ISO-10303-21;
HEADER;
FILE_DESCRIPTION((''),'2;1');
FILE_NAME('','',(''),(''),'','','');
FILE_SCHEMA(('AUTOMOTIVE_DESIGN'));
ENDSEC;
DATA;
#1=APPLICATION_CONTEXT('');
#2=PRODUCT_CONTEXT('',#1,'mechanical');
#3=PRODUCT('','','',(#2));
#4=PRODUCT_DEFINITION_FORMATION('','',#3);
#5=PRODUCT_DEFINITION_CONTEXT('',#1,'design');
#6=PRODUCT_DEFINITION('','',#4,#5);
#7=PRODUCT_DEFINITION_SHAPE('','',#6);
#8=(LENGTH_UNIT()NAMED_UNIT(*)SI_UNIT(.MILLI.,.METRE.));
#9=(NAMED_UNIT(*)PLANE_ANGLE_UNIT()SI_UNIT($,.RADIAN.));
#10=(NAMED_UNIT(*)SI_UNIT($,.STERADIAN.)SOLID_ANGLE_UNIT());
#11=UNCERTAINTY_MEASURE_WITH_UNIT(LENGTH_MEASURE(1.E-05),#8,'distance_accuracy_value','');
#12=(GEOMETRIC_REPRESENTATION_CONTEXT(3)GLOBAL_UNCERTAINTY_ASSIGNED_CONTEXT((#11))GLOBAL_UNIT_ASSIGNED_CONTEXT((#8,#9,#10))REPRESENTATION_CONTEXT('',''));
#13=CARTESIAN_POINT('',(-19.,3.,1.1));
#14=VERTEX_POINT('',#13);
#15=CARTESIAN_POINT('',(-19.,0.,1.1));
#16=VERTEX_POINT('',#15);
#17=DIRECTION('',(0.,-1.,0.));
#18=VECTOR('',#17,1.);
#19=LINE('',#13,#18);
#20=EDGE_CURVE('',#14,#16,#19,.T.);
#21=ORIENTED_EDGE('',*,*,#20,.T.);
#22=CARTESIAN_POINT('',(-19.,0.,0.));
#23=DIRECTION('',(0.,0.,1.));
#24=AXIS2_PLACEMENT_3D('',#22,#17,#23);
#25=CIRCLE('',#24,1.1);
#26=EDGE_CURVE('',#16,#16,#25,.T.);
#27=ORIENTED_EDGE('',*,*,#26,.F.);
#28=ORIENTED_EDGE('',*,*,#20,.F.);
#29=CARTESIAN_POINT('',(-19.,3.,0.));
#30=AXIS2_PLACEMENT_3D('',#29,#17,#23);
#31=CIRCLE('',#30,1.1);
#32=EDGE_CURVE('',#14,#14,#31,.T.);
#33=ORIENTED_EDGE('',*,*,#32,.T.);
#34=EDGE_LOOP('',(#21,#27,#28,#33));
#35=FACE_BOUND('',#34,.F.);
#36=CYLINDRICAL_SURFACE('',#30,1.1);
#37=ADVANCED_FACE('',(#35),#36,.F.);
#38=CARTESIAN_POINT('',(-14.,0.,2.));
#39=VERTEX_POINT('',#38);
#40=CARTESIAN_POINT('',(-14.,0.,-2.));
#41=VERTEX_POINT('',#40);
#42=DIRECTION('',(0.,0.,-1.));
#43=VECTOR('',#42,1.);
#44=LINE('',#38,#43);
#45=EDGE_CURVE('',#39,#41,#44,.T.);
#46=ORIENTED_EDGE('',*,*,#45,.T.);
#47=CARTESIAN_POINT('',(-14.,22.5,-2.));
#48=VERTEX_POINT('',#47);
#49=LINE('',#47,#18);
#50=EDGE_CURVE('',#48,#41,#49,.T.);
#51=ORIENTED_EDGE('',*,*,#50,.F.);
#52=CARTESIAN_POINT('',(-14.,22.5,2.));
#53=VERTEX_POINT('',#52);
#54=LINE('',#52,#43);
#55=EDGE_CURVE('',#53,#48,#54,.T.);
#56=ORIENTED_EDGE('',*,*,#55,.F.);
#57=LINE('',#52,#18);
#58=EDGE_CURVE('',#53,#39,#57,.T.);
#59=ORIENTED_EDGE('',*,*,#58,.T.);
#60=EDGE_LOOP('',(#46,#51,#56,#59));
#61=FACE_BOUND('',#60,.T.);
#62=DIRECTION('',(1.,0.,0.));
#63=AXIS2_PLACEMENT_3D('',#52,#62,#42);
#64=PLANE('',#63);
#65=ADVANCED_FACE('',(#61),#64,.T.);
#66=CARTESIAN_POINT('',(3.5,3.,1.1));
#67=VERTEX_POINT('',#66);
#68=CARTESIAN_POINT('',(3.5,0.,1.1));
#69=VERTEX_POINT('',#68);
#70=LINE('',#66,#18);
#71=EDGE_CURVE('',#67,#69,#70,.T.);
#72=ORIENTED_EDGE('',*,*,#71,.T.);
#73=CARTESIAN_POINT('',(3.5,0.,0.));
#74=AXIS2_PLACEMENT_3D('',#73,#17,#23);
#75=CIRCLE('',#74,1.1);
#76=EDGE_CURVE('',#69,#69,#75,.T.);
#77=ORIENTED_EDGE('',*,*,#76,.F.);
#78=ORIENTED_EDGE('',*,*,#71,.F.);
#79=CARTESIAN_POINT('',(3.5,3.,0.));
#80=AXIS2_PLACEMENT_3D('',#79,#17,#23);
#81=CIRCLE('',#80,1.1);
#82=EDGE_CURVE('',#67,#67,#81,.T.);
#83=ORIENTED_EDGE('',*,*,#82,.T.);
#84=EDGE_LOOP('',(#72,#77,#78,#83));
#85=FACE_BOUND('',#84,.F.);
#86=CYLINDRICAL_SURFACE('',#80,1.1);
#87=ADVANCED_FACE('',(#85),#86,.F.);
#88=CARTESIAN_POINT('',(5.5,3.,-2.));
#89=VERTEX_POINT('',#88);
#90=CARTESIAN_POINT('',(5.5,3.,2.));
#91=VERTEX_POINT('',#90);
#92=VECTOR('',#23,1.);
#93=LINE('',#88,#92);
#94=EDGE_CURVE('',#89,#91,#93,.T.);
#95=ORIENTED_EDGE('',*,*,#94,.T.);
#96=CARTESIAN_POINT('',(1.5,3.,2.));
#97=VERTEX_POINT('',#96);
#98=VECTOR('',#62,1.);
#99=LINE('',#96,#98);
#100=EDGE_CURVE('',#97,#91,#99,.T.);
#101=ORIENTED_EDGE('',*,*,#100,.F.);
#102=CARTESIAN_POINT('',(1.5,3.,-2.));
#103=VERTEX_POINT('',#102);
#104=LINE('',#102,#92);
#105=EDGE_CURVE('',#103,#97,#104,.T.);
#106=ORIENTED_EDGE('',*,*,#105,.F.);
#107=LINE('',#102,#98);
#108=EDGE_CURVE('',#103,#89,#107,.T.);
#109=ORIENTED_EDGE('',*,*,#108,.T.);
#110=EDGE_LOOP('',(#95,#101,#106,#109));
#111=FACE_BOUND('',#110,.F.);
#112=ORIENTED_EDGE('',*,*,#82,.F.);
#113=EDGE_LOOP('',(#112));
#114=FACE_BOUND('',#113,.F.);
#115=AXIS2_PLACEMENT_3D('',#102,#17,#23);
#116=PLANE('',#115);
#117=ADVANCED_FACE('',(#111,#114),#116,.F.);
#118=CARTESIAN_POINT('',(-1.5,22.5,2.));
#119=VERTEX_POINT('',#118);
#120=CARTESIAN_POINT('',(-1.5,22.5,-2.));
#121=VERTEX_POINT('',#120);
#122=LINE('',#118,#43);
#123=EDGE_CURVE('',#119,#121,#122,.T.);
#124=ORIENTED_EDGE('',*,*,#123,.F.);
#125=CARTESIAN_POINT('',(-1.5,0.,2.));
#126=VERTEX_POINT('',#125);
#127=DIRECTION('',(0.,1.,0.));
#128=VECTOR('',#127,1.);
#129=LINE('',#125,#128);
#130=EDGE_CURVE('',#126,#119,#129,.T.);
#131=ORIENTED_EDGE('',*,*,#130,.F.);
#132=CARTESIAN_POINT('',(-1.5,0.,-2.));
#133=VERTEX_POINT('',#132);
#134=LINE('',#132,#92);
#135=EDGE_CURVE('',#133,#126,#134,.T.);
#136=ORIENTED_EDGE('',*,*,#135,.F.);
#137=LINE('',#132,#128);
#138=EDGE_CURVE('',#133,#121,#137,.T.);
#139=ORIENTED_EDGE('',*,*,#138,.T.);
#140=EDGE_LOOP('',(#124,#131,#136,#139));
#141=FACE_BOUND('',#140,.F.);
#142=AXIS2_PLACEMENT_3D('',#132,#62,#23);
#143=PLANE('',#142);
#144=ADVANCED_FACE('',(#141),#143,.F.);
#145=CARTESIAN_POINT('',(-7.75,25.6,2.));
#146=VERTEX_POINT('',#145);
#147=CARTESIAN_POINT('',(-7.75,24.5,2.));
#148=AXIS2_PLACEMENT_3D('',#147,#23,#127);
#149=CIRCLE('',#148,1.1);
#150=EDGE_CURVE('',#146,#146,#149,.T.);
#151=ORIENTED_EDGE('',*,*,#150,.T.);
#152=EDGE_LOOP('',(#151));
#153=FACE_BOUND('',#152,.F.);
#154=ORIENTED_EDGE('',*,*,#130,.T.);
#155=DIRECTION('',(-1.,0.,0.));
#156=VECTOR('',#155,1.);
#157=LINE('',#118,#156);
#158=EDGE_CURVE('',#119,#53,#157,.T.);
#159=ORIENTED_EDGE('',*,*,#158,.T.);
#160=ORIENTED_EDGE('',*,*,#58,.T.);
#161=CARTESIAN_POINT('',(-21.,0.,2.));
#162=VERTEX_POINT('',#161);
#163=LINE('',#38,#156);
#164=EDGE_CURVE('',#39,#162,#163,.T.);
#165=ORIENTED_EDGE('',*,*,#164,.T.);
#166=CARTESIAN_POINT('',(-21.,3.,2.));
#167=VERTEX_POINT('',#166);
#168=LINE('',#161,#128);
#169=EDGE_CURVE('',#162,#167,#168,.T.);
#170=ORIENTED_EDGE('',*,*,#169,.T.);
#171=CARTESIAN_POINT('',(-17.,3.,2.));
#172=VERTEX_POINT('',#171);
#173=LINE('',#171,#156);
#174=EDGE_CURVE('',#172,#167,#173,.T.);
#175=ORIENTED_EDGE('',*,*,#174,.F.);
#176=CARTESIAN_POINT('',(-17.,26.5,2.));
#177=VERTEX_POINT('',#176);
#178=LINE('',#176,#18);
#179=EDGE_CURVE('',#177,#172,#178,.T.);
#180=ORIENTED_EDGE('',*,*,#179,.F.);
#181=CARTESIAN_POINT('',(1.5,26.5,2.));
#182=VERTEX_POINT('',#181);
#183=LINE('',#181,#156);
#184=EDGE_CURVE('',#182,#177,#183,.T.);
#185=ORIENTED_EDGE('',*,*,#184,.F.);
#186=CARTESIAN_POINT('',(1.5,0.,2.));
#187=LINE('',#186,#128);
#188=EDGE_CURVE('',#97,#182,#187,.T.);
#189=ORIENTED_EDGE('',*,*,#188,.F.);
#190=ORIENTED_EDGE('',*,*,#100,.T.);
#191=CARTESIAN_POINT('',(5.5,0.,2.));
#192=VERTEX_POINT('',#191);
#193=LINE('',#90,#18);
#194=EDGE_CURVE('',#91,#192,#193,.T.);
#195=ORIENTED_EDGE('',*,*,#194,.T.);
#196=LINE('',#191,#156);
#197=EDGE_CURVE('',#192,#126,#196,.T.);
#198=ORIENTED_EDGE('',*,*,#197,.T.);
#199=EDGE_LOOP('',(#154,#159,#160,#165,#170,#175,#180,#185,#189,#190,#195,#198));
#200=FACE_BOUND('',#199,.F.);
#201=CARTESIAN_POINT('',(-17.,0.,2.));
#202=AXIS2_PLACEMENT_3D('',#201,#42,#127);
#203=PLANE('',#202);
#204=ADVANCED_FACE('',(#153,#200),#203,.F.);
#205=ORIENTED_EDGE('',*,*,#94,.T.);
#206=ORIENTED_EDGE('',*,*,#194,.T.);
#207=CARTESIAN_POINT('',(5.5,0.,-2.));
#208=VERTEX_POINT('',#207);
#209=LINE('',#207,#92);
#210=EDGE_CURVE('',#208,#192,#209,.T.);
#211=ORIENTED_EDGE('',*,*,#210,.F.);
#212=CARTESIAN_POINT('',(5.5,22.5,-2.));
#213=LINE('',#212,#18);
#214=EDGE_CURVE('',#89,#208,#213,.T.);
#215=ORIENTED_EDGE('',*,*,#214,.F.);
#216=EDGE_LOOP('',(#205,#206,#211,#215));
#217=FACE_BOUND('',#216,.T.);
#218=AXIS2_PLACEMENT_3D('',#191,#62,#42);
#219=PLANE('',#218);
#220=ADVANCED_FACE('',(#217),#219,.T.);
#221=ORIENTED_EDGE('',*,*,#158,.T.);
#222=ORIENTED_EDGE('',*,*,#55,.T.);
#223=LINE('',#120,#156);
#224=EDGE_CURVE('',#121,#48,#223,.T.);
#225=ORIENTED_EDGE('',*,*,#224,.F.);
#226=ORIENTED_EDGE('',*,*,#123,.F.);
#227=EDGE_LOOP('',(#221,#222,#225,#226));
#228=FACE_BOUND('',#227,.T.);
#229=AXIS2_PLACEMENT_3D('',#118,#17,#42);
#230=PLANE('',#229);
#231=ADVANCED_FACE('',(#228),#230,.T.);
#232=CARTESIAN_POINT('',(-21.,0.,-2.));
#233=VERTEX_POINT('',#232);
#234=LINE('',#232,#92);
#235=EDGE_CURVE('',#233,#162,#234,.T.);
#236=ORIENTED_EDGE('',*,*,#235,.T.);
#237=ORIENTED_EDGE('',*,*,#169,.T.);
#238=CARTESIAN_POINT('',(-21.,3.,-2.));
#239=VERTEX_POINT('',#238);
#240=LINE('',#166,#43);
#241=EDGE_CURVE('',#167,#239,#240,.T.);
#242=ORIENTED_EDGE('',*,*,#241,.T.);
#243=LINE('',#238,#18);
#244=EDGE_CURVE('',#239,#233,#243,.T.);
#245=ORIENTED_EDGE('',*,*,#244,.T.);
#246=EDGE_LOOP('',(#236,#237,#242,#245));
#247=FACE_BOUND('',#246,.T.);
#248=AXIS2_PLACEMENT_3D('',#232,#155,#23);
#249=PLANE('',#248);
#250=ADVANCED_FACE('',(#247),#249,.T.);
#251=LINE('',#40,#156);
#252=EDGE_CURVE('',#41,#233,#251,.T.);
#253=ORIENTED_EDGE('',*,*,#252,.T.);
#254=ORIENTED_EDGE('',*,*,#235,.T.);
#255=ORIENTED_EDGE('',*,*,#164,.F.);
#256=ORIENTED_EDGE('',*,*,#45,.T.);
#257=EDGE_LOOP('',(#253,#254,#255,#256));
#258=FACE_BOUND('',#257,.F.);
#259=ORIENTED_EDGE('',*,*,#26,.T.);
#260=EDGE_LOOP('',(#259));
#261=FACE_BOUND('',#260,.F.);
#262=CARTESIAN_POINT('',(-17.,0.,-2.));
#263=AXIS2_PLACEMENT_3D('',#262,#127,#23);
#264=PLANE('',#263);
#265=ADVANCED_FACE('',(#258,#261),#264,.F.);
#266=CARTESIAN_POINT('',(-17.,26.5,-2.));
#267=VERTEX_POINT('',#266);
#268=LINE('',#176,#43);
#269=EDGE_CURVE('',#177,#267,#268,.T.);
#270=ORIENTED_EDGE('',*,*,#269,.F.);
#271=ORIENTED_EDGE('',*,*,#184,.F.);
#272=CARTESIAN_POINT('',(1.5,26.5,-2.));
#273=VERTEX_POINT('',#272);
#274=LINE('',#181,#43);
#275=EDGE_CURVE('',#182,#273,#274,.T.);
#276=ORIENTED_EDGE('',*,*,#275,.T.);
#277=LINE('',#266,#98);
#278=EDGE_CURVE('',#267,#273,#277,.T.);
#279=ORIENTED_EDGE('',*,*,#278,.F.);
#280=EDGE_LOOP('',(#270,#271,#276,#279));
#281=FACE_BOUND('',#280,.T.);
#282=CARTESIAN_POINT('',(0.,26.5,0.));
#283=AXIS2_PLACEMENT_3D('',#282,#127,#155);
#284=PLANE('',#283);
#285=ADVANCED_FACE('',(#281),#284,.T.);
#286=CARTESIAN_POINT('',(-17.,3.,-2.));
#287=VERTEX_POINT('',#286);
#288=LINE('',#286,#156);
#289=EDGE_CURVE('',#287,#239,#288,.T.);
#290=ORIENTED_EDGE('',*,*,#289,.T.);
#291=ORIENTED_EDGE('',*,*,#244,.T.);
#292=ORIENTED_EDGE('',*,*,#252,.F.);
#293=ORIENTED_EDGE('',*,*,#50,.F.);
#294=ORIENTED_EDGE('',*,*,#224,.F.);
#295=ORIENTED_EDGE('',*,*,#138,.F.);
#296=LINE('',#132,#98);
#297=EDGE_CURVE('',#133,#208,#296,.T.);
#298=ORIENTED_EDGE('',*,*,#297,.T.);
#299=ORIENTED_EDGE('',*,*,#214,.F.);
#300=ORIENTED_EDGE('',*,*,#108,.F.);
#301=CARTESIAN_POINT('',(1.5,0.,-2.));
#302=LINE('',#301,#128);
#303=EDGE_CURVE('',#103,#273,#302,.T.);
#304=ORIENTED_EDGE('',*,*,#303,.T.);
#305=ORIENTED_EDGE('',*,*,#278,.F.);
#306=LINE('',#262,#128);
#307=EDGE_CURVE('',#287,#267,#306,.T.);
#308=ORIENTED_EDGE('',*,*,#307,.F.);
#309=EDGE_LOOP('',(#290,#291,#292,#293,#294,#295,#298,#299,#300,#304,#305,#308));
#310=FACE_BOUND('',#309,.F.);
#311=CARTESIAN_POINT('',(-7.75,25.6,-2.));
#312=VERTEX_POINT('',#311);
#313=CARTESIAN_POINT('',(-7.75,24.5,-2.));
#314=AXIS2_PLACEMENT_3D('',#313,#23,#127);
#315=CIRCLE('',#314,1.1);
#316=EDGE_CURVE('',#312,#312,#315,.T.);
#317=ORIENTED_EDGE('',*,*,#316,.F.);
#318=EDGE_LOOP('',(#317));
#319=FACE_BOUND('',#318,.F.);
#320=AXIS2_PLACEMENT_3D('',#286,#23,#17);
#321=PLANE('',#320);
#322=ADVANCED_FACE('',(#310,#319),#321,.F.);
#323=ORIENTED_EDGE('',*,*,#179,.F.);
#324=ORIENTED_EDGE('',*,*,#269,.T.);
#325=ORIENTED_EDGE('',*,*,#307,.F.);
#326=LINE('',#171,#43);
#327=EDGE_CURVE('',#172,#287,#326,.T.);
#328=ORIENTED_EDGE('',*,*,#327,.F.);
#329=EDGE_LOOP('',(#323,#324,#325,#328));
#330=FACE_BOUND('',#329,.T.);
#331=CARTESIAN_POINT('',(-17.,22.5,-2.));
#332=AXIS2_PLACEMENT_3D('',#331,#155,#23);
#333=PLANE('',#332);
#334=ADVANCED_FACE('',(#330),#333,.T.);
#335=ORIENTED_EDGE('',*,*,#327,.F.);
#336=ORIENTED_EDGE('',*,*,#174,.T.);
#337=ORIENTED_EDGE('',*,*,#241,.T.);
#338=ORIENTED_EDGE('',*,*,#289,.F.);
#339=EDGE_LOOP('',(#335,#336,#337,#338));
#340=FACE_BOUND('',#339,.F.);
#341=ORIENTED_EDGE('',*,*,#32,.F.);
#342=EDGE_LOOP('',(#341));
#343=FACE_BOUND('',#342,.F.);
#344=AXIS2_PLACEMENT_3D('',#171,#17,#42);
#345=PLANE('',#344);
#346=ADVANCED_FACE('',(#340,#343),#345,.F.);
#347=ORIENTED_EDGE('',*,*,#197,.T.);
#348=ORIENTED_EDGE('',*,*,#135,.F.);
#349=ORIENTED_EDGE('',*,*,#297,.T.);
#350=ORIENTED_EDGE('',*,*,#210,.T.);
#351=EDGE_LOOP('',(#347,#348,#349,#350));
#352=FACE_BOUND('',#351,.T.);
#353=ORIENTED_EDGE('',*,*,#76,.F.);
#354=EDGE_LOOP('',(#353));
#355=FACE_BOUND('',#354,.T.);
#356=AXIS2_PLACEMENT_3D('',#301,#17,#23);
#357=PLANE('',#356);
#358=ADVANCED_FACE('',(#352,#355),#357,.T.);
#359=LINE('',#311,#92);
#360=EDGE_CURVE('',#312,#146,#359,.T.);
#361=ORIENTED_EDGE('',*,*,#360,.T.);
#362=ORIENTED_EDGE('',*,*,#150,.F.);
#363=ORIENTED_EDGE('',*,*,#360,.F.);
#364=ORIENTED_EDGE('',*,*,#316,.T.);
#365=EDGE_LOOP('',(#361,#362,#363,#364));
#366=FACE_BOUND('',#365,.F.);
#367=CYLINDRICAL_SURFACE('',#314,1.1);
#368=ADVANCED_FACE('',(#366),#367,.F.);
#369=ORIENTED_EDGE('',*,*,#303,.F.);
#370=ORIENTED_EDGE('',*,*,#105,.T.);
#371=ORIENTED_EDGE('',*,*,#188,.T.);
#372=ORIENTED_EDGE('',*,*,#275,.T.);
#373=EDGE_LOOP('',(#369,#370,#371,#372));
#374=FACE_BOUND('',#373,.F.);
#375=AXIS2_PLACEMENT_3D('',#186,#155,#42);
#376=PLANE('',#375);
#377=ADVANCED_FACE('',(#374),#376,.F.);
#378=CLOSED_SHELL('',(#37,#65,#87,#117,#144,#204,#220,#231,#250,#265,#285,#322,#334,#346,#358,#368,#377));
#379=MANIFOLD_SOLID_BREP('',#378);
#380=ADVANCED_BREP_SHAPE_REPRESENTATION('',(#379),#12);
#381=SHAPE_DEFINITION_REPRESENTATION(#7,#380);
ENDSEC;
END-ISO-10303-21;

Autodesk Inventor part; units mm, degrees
ref_plane "YZ Plane" through (0, 0, 0) normal (1, 0, 0) x (0, 1, 0)
ref_plane "XZ Plane" through (0, 0, 0) normal (0, 1, 0) x (-1, 0, 0)
ref_plane "XY Plane" through (0, 0, 0) normal (0, 0, 1) x (1, 0, 0)
sketch "Szkic1" plane through (0, 0, 0) normal (0, 1, 0) x (-1, 0, 0)
  line L0 (1.5, 2) -> (-1.5, 2)
  line L1 (-1.5, 2) -> (-1.5, -2)
  line L2 (-1.5, -2) -> (1.5, -2)
  line L3 (1.5, -2) -> (1.5, 2)
  line L4 (1.5, 2) -> (-1.5, -2) construction
  line L5 (-1.5, 2) -> (1.5, -2) construction
  point P0 (0, 0)
  dimension "d0" = 4
  dimension "d1" = 3
extrude "Wyciągnięcie proste1" add sketch "Szkic1" along normal blind 26.5
sketch "Szkic2" plane through (-1.5, 0, -2) normal (-1, 0, 0) x (0, 0, 1)
  line L0 (4, 26.5) -> (0, 26.5) projected
  line L1 (4, 0) -> (4, 26.5) projected
  line L2 (0, 26.5) -> (4, 26.5)
  line L3 (4, 26.5) -> (4, 22.5)
  line L4 (4, 22.5) -> (0, 22.5)
  line L5 (0, 22.5) -> (0, 26.5)
  point P0 (2, 0)
  dimension "d4" = 4
extrude "Wyciągnięcie proste2" add sketch "Szkic2" along normal blind 15.5
sketch "Szkic3" plane through (-1.5, 22.5, -2) normal (0, -1, 0) x (1, 0, 0)
  line L0 (3, 4) -> (-15.5, 4) projected
  line L1 (3, 0) -> (-15.5, 0) projected
  line L2 (-15.5, 4) -> (-12.5, 4)
  line L3 (-12.5, 4) -> (-12.5, 0)
  line L4 (-12.5, 0) -> (-15.5, 0)
  line L5 (-15.5, 0) -> (-15.5, 4)
  point P0 (1.5, 2)
  dimension "d7" = 3
extrude "Wyciągnięcie proste3" add sketch "Szkic3" along normal blind 22.5
sketch "Szkic4" plane through (1.5, 0, 2) normal (1, 0, 0) x (0, 0, -1)
  line L0 (4, 0) -> (0, 0) projected
  line L1 (4, 22.5) -> (4, 0) projected
  line L2 (0, 0) -> (4, 0)
  line L3 (4, 0) -> (4, 3)
  line L4 (4, 3) -> (0, 3)
  line L5 (0, 3) -> (0, 0)
  point P0 (2, 0)
  dimension "d10" = 3
extrude "Wyciągnięcie proste4" add sketch "Szkic4" along normal blind 4
sketch "Szkic5" plane through (-17, 0, -2) normal (-1, 0, 0) x (0, 0, 1)
  line L0 (0, 0) -> (4, 0) projected
  line L1 (4, 3) -> (0, 3) projected
  line L2 (0, 0) -> (4, 0)
  line L3 (4, 0) -> (4, 3)
  line L4 (4, 3) -> (0, 3)
  line L5 (0, 3) -> (0, 0)
  point P0 (2, 0)
extrude "Wyciągnięcie proste5" add sketch "Szkic5" along normal blind 4
sketch "Szkic6" plane through (1.5, 3, 2) normal (0, 1, 0) x (1, 0, 0)
  line L0 (0, 0) -> (4, 0) projected
  line L1 (0, 4) -> (4, 4) projected
  line L2 (4, 0) -> (0, 4)
  line L3 (4, 0) -> (4, 4) projected
  line L4 (0, 0) -> (4, 4)
  circle A0 centre (2, 2) radius 1.1
  line L5 (-22.5, 4) -> (-22.5, 0) projected
  line L6 (-18.5, 4) -> (-18.5, 0) projected
  line L7 (-22.5, 0) -> (-18.5, 4)
  line L8 (-18.5, 4) -> (-22.5, 4) projected
  line L9 (-18.5, 0) -> (-22.5, 4)
  circle A1 centre (-20.5, 2) radius 1.1
  point P0 (-1.5, 2)
  dimension "d15" = 2.2
  dimension "d16" = 2.2
hole "Otwór1" at (3.5, 3, 0) at (-19, 3, 0) direction (0, -1, 0) diameter 2.2 end through all
sketch "Szkic7" plane through (1.5, 26.5, -2) normal (0, 0, -1) x (-1, 0, 0)
  line L0 (3, -4) -> (15.5, -4) projected
  line L1 (3, -4) -> (3, 0)
  line L2 (0, 0) -> (18.5, 0) projected
  line L3 (15.5, -4) -> (15.5, -26.5) projected
  line L4 (3, 0) -> (15.5, -4)
  line L5 (15.5, -4) -> (15.5, 0)
  line L6 (15.5, 0) -> (3, -4)
  point P0 (1.5, -26.5)
  point P1 (9.25, -2)
hole "Otwór3" at (-7.75, 24.5, -2) direction (0, 0, 1) diameter 2.2 end through all
properties part number "mocowanie-serwomechanizmy"
